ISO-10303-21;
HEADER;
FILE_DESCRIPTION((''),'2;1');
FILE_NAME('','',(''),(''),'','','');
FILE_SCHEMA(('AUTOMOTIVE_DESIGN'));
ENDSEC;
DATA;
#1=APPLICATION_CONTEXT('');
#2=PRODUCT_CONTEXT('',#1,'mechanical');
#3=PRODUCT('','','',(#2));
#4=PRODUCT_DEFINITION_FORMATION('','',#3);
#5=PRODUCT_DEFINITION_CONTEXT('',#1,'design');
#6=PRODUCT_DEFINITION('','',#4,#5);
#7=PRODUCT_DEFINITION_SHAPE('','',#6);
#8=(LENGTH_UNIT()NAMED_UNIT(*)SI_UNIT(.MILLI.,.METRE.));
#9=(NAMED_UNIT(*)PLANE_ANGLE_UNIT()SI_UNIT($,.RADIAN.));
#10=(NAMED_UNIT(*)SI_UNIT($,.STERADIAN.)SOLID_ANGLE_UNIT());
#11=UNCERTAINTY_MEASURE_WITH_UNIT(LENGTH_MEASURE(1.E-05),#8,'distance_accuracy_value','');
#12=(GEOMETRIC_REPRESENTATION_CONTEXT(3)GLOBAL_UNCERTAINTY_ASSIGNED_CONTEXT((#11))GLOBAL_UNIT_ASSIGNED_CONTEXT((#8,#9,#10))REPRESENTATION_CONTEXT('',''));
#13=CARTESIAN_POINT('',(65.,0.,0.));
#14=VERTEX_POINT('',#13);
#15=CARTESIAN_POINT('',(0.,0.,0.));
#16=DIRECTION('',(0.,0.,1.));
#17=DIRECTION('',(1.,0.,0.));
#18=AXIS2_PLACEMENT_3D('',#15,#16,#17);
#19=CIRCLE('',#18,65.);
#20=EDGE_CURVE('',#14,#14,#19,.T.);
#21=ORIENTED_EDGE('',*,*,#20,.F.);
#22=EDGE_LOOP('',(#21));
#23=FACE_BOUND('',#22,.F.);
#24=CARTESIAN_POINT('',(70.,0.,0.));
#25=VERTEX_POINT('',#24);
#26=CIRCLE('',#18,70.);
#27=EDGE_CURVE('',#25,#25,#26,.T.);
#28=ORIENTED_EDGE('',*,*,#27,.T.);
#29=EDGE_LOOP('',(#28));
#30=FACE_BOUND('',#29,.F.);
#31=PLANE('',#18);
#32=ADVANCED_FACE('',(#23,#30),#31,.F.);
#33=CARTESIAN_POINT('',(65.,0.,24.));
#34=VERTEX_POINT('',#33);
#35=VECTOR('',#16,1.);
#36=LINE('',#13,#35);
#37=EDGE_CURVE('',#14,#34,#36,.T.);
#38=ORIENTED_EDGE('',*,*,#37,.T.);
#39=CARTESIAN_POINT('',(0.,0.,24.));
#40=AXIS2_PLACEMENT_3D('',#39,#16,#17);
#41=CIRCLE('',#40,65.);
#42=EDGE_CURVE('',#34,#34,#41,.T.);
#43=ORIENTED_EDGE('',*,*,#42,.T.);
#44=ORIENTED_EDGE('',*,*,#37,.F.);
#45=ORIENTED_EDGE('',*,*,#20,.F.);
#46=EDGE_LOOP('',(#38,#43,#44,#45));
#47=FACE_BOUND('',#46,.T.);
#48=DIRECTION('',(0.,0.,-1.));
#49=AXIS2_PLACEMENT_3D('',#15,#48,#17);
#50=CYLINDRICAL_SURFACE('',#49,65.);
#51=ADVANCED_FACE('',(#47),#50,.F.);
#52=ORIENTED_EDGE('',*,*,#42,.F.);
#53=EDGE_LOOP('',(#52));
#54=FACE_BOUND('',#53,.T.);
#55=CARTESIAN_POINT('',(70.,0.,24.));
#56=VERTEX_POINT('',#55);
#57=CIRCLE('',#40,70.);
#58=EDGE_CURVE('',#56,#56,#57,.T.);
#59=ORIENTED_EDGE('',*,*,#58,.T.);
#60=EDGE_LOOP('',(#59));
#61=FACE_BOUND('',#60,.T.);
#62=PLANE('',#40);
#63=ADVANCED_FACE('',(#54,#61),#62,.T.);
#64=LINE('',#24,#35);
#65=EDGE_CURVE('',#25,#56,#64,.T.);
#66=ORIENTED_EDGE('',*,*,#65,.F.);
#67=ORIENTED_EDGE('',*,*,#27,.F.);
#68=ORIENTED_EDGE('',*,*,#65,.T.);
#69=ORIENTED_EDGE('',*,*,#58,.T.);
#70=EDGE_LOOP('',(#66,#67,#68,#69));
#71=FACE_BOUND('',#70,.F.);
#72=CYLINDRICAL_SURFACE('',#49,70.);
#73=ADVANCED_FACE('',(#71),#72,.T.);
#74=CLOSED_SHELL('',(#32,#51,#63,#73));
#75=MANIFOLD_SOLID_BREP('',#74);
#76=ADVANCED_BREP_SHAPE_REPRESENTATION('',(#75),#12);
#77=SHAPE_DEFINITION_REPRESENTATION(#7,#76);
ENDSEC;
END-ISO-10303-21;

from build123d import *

# Parameters (mm, degrees)
SKETCH_R   = 70
SKETCH_R_2 = 65
PAD_DEPTH  = 24


with BuildPart() as part:
    # Sketch → Pad (new body)
    with BuildSketch(Plane.XY):
        Circle(SKETCH_R)
        Circle(SKETCH_R_2, mode=Mode.SUBTRACT)
    extrude(amount=PAD_DEPTH)


solid = part.part
